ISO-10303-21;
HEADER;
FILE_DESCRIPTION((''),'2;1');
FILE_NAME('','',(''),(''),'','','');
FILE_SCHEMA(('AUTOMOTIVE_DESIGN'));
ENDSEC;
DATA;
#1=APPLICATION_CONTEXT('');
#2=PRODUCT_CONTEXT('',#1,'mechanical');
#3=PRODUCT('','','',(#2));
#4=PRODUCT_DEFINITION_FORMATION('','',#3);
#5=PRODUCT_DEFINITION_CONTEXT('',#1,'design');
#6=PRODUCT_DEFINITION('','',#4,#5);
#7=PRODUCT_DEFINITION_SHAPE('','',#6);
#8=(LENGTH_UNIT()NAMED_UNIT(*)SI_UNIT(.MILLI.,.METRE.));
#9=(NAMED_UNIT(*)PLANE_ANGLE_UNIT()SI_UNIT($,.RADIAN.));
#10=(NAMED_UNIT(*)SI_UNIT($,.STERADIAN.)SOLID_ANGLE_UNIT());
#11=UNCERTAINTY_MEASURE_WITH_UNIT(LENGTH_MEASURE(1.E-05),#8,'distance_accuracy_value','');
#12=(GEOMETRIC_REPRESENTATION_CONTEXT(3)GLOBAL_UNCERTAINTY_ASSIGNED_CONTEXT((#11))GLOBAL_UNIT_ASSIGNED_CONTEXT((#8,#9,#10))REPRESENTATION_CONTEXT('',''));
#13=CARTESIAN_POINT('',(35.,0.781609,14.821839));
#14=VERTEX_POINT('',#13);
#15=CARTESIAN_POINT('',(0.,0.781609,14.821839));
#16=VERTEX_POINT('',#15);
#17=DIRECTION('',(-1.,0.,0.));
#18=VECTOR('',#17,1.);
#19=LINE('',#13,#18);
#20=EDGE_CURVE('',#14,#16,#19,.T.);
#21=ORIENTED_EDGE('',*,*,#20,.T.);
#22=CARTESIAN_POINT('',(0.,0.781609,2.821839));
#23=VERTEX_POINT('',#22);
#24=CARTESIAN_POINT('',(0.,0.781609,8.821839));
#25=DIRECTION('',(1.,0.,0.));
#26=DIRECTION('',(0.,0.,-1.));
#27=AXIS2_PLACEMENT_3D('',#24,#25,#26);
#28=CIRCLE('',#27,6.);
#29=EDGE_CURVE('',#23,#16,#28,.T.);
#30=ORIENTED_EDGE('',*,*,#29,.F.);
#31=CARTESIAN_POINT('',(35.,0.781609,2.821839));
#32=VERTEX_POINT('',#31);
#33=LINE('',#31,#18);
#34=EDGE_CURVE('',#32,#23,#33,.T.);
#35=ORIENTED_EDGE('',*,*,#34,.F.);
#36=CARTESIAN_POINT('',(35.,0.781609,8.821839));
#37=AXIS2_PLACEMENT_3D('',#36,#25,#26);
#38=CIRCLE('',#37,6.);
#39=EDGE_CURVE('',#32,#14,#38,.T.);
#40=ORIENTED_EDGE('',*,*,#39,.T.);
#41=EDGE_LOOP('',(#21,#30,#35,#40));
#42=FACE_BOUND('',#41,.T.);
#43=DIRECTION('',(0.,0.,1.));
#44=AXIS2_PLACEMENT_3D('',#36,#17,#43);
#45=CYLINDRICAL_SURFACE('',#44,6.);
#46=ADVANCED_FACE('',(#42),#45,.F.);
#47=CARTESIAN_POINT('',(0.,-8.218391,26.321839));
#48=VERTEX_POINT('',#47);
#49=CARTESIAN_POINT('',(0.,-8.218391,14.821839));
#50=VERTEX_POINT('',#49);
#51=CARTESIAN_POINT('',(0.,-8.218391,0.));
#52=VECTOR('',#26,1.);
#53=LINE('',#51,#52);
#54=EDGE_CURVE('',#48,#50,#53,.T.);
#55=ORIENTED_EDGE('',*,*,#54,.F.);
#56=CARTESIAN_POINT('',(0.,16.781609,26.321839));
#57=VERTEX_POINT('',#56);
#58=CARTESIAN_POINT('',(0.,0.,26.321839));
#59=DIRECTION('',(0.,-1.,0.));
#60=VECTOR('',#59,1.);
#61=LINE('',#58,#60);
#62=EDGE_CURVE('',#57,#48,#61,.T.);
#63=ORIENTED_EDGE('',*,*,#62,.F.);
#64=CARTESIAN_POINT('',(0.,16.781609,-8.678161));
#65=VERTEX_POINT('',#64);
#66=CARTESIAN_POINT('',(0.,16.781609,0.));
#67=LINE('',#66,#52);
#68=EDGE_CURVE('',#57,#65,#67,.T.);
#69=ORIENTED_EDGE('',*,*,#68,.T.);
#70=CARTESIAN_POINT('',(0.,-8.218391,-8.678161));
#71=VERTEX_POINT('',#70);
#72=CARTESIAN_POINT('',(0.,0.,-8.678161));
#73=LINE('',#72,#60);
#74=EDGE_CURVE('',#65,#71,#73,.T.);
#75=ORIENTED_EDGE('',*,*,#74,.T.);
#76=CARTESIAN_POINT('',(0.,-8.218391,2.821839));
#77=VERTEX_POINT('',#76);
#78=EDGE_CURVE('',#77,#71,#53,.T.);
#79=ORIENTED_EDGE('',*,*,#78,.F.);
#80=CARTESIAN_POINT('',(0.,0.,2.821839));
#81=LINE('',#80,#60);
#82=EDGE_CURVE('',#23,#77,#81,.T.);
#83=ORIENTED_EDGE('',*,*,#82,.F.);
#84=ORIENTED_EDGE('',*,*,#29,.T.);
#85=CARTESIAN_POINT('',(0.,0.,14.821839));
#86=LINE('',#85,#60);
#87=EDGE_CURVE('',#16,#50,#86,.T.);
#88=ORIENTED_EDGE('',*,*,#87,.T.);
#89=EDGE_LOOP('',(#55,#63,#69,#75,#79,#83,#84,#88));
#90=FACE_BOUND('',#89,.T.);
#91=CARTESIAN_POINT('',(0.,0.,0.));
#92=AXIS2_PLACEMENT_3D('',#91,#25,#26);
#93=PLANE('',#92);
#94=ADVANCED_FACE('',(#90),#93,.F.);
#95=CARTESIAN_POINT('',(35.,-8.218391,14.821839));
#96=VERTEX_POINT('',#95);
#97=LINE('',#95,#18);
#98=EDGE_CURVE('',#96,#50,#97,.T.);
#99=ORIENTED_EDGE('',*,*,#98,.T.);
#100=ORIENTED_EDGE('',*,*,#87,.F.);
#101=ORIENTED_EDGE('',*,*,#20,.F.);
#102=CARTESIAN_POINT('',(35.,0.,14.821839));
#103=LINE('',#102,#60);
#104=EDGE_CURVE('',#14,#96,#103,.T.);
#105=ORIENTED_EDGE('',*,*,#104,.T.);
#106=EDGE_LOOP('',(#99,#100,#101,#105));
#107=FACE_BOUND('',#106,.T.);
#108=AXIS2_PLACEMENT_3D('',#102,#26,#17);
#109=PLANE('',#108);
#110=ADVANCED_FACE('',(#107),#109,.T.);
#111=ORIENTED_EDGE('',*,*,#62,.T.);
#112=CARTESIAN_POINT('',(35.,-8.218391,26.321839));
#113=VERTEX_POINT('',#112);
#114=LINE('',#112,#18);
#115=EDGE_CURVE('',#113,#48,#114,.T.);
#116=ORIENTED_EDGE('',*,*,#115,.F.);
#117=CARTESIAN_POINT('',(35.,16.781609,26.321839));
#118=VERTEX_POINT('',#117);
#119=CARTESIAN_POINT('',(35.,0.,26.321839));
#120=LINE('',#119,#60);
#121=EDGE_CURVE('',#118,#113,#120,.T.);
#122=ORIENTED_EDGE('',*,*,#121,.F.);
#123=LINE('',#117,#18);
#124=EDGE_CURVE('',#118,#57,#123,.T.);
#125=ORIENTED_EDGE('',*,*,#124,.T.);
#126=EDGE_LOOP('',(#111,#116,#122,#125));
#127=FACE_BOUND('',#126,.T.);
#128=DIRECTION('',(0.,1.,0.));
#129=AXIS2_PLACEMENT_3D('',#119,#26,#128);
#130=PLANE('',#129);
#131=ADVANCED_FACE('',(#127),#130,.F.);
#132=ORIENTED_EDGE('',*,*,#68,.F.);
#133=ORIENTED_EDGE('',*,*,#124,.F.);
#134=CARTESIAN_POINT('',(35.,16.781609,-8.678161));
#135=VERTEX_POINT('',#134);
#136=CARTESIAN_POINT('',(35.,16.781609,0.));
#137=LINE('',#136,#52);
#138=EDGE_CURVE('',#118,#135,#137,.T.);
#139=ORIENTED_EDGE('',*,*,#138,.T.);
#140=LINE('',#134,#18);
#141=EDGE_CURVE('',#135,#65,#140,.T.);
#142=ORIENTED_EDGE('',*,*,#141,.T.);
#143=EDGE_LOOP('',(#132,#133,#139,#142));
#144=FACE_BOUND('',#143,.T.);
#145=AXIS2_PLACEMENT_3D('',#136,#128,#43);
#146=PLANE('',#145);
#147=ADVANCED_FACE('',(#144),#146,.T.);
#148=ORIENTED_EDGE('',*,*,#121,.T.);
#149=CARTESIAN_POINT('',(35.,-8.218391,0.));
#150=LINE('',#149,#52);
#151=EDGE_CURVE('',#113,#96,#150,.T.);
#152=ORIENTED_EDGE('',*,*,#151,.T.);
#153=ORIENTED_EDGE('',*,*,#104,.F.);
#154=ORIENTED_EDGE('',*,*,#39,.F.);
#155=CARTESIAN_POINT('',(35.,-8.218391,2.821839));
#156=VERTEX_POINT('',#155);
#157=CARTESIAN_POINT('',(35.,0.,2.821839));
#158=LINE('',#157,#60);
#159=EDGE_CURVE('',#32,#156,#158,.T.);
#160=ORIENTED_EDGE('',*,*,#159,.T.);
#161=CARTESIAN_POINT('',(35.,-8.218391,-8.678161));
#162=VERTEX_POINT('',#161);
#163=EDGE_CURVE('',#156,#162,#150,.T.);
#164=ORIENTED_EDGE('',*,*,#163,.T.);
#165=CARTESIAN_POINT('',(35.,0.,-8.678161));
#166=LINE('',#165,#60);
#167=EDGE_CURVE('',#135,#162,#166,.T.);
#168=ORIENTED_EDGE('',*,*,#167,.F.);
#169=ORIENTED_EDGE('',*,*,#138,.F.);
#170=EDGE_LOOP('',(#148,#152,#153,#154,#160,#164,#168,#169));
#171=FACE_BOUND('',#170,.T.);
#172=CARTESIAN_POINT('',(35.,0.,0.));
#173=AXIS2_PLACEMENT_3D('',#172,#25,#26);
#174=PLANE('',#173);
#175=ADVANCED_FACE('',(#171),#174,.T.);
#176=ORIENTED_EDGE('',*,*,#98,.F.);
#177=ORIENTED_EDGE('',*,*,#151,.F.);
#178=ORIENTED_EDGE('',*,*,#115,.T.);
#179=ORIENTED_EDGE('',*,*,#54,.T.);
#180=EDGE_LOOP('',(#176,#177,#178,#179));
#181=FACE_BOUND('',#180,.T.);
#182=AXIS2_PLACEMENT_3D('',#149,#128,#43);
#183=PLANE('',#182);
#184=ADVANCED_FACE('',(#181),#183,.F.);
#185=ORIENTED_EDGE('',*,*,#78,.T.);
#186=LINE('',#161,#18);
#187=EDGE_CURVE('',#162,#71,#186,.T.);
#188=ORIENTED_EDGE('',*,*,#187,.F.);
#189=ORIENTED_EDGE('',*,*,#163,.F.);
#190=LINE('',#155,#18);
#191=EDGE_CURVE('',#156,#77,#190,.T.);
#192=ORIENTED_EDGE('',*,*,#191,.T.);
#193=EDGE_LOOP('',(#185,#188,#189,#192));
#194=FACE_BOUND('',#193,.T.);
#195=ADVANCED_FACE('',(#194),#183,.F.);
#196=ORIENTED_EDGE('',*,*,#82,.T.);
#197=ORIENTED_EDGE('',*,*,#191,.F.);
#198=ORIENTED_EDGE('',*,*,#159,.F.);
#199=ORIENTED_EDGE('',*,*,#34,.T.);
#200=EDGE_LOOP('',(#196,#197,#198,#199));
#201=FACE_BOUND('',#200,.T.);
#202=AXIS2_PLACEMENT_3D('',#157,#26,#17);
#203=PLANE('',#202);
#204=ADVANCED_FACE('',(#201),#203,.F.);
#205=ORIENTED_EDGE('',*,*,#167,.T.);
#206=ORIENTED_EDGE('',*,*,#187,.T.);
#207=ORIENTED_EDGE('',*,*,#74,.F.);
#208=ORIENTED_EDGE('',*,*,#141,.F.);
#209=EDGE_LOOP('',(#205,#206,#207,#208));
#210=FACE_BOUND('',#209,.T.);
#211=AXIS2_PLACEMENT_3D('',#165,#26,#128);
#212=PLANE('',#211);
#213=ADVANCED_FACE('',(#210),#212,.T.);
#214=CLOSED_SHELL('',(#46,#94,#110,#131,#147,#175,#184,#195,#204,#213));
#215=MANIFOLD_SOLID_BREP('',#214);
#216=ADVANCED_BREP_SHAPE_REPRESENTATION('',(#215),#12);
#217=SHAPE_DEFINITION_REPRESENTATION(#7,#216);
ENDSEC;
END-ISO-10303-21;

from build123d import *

# Parameters (mm, degrees)
BOSS_EXTRUDE1_DEPTH = 35


with BuildPart() as part:
    # Sketch1 → Boss-Extrude1 (new body)
    with BuildSketch(Plane(origin=(0, 0, 0), x_dir=(0, 0, -1), z_dir=(1, 0, 0))):
        with BuildLine():
            Line((-8.82183908, 6.781609195), (-8.82183908, 16.781609195))
            Line((-8.82183908, 16.781609195), (-26.32183908, 16.781609195))
            Line((-26.32183908, 16.781609195), (-26.32183908, -8.218390805))
            Line((-26.32183908, -8.218390805), (-14.82183908, -8.218390805))
            Line((-14.82183908, -8.218390805), (-14.82183908, 0.781609195))
            ThreePointArc((-14.82183908, 0.781609195), (-13.064479768, 5.024249883), (-8.82183908, 6.781609195))
        make_face()
        with BuildLine():
            Line((8.67816092, 16.781609195), (-8.82183908, 16.781609195))
            Line((-8.82183908, 16.781609195), (-8.82183908, 6.781609195))
            ThreePointArc((-8.82183908, 6.781609195), (-4.579198393, 5.024249883), (-2.82183908, 0.781609195))
            Line((-2.82183908, 0.781609195), (-2.82183908, -8.218390805))
            Line((-2.82183908, -8.218390805), (8.67816092, -8.218390805))
            Line((8.67816092, -8.218390805), (8.67816092, 16.781609195))
        make_face()
    extrude(amount=BOSS_EXTRUDE1_DEPTH)


solid = part.part
